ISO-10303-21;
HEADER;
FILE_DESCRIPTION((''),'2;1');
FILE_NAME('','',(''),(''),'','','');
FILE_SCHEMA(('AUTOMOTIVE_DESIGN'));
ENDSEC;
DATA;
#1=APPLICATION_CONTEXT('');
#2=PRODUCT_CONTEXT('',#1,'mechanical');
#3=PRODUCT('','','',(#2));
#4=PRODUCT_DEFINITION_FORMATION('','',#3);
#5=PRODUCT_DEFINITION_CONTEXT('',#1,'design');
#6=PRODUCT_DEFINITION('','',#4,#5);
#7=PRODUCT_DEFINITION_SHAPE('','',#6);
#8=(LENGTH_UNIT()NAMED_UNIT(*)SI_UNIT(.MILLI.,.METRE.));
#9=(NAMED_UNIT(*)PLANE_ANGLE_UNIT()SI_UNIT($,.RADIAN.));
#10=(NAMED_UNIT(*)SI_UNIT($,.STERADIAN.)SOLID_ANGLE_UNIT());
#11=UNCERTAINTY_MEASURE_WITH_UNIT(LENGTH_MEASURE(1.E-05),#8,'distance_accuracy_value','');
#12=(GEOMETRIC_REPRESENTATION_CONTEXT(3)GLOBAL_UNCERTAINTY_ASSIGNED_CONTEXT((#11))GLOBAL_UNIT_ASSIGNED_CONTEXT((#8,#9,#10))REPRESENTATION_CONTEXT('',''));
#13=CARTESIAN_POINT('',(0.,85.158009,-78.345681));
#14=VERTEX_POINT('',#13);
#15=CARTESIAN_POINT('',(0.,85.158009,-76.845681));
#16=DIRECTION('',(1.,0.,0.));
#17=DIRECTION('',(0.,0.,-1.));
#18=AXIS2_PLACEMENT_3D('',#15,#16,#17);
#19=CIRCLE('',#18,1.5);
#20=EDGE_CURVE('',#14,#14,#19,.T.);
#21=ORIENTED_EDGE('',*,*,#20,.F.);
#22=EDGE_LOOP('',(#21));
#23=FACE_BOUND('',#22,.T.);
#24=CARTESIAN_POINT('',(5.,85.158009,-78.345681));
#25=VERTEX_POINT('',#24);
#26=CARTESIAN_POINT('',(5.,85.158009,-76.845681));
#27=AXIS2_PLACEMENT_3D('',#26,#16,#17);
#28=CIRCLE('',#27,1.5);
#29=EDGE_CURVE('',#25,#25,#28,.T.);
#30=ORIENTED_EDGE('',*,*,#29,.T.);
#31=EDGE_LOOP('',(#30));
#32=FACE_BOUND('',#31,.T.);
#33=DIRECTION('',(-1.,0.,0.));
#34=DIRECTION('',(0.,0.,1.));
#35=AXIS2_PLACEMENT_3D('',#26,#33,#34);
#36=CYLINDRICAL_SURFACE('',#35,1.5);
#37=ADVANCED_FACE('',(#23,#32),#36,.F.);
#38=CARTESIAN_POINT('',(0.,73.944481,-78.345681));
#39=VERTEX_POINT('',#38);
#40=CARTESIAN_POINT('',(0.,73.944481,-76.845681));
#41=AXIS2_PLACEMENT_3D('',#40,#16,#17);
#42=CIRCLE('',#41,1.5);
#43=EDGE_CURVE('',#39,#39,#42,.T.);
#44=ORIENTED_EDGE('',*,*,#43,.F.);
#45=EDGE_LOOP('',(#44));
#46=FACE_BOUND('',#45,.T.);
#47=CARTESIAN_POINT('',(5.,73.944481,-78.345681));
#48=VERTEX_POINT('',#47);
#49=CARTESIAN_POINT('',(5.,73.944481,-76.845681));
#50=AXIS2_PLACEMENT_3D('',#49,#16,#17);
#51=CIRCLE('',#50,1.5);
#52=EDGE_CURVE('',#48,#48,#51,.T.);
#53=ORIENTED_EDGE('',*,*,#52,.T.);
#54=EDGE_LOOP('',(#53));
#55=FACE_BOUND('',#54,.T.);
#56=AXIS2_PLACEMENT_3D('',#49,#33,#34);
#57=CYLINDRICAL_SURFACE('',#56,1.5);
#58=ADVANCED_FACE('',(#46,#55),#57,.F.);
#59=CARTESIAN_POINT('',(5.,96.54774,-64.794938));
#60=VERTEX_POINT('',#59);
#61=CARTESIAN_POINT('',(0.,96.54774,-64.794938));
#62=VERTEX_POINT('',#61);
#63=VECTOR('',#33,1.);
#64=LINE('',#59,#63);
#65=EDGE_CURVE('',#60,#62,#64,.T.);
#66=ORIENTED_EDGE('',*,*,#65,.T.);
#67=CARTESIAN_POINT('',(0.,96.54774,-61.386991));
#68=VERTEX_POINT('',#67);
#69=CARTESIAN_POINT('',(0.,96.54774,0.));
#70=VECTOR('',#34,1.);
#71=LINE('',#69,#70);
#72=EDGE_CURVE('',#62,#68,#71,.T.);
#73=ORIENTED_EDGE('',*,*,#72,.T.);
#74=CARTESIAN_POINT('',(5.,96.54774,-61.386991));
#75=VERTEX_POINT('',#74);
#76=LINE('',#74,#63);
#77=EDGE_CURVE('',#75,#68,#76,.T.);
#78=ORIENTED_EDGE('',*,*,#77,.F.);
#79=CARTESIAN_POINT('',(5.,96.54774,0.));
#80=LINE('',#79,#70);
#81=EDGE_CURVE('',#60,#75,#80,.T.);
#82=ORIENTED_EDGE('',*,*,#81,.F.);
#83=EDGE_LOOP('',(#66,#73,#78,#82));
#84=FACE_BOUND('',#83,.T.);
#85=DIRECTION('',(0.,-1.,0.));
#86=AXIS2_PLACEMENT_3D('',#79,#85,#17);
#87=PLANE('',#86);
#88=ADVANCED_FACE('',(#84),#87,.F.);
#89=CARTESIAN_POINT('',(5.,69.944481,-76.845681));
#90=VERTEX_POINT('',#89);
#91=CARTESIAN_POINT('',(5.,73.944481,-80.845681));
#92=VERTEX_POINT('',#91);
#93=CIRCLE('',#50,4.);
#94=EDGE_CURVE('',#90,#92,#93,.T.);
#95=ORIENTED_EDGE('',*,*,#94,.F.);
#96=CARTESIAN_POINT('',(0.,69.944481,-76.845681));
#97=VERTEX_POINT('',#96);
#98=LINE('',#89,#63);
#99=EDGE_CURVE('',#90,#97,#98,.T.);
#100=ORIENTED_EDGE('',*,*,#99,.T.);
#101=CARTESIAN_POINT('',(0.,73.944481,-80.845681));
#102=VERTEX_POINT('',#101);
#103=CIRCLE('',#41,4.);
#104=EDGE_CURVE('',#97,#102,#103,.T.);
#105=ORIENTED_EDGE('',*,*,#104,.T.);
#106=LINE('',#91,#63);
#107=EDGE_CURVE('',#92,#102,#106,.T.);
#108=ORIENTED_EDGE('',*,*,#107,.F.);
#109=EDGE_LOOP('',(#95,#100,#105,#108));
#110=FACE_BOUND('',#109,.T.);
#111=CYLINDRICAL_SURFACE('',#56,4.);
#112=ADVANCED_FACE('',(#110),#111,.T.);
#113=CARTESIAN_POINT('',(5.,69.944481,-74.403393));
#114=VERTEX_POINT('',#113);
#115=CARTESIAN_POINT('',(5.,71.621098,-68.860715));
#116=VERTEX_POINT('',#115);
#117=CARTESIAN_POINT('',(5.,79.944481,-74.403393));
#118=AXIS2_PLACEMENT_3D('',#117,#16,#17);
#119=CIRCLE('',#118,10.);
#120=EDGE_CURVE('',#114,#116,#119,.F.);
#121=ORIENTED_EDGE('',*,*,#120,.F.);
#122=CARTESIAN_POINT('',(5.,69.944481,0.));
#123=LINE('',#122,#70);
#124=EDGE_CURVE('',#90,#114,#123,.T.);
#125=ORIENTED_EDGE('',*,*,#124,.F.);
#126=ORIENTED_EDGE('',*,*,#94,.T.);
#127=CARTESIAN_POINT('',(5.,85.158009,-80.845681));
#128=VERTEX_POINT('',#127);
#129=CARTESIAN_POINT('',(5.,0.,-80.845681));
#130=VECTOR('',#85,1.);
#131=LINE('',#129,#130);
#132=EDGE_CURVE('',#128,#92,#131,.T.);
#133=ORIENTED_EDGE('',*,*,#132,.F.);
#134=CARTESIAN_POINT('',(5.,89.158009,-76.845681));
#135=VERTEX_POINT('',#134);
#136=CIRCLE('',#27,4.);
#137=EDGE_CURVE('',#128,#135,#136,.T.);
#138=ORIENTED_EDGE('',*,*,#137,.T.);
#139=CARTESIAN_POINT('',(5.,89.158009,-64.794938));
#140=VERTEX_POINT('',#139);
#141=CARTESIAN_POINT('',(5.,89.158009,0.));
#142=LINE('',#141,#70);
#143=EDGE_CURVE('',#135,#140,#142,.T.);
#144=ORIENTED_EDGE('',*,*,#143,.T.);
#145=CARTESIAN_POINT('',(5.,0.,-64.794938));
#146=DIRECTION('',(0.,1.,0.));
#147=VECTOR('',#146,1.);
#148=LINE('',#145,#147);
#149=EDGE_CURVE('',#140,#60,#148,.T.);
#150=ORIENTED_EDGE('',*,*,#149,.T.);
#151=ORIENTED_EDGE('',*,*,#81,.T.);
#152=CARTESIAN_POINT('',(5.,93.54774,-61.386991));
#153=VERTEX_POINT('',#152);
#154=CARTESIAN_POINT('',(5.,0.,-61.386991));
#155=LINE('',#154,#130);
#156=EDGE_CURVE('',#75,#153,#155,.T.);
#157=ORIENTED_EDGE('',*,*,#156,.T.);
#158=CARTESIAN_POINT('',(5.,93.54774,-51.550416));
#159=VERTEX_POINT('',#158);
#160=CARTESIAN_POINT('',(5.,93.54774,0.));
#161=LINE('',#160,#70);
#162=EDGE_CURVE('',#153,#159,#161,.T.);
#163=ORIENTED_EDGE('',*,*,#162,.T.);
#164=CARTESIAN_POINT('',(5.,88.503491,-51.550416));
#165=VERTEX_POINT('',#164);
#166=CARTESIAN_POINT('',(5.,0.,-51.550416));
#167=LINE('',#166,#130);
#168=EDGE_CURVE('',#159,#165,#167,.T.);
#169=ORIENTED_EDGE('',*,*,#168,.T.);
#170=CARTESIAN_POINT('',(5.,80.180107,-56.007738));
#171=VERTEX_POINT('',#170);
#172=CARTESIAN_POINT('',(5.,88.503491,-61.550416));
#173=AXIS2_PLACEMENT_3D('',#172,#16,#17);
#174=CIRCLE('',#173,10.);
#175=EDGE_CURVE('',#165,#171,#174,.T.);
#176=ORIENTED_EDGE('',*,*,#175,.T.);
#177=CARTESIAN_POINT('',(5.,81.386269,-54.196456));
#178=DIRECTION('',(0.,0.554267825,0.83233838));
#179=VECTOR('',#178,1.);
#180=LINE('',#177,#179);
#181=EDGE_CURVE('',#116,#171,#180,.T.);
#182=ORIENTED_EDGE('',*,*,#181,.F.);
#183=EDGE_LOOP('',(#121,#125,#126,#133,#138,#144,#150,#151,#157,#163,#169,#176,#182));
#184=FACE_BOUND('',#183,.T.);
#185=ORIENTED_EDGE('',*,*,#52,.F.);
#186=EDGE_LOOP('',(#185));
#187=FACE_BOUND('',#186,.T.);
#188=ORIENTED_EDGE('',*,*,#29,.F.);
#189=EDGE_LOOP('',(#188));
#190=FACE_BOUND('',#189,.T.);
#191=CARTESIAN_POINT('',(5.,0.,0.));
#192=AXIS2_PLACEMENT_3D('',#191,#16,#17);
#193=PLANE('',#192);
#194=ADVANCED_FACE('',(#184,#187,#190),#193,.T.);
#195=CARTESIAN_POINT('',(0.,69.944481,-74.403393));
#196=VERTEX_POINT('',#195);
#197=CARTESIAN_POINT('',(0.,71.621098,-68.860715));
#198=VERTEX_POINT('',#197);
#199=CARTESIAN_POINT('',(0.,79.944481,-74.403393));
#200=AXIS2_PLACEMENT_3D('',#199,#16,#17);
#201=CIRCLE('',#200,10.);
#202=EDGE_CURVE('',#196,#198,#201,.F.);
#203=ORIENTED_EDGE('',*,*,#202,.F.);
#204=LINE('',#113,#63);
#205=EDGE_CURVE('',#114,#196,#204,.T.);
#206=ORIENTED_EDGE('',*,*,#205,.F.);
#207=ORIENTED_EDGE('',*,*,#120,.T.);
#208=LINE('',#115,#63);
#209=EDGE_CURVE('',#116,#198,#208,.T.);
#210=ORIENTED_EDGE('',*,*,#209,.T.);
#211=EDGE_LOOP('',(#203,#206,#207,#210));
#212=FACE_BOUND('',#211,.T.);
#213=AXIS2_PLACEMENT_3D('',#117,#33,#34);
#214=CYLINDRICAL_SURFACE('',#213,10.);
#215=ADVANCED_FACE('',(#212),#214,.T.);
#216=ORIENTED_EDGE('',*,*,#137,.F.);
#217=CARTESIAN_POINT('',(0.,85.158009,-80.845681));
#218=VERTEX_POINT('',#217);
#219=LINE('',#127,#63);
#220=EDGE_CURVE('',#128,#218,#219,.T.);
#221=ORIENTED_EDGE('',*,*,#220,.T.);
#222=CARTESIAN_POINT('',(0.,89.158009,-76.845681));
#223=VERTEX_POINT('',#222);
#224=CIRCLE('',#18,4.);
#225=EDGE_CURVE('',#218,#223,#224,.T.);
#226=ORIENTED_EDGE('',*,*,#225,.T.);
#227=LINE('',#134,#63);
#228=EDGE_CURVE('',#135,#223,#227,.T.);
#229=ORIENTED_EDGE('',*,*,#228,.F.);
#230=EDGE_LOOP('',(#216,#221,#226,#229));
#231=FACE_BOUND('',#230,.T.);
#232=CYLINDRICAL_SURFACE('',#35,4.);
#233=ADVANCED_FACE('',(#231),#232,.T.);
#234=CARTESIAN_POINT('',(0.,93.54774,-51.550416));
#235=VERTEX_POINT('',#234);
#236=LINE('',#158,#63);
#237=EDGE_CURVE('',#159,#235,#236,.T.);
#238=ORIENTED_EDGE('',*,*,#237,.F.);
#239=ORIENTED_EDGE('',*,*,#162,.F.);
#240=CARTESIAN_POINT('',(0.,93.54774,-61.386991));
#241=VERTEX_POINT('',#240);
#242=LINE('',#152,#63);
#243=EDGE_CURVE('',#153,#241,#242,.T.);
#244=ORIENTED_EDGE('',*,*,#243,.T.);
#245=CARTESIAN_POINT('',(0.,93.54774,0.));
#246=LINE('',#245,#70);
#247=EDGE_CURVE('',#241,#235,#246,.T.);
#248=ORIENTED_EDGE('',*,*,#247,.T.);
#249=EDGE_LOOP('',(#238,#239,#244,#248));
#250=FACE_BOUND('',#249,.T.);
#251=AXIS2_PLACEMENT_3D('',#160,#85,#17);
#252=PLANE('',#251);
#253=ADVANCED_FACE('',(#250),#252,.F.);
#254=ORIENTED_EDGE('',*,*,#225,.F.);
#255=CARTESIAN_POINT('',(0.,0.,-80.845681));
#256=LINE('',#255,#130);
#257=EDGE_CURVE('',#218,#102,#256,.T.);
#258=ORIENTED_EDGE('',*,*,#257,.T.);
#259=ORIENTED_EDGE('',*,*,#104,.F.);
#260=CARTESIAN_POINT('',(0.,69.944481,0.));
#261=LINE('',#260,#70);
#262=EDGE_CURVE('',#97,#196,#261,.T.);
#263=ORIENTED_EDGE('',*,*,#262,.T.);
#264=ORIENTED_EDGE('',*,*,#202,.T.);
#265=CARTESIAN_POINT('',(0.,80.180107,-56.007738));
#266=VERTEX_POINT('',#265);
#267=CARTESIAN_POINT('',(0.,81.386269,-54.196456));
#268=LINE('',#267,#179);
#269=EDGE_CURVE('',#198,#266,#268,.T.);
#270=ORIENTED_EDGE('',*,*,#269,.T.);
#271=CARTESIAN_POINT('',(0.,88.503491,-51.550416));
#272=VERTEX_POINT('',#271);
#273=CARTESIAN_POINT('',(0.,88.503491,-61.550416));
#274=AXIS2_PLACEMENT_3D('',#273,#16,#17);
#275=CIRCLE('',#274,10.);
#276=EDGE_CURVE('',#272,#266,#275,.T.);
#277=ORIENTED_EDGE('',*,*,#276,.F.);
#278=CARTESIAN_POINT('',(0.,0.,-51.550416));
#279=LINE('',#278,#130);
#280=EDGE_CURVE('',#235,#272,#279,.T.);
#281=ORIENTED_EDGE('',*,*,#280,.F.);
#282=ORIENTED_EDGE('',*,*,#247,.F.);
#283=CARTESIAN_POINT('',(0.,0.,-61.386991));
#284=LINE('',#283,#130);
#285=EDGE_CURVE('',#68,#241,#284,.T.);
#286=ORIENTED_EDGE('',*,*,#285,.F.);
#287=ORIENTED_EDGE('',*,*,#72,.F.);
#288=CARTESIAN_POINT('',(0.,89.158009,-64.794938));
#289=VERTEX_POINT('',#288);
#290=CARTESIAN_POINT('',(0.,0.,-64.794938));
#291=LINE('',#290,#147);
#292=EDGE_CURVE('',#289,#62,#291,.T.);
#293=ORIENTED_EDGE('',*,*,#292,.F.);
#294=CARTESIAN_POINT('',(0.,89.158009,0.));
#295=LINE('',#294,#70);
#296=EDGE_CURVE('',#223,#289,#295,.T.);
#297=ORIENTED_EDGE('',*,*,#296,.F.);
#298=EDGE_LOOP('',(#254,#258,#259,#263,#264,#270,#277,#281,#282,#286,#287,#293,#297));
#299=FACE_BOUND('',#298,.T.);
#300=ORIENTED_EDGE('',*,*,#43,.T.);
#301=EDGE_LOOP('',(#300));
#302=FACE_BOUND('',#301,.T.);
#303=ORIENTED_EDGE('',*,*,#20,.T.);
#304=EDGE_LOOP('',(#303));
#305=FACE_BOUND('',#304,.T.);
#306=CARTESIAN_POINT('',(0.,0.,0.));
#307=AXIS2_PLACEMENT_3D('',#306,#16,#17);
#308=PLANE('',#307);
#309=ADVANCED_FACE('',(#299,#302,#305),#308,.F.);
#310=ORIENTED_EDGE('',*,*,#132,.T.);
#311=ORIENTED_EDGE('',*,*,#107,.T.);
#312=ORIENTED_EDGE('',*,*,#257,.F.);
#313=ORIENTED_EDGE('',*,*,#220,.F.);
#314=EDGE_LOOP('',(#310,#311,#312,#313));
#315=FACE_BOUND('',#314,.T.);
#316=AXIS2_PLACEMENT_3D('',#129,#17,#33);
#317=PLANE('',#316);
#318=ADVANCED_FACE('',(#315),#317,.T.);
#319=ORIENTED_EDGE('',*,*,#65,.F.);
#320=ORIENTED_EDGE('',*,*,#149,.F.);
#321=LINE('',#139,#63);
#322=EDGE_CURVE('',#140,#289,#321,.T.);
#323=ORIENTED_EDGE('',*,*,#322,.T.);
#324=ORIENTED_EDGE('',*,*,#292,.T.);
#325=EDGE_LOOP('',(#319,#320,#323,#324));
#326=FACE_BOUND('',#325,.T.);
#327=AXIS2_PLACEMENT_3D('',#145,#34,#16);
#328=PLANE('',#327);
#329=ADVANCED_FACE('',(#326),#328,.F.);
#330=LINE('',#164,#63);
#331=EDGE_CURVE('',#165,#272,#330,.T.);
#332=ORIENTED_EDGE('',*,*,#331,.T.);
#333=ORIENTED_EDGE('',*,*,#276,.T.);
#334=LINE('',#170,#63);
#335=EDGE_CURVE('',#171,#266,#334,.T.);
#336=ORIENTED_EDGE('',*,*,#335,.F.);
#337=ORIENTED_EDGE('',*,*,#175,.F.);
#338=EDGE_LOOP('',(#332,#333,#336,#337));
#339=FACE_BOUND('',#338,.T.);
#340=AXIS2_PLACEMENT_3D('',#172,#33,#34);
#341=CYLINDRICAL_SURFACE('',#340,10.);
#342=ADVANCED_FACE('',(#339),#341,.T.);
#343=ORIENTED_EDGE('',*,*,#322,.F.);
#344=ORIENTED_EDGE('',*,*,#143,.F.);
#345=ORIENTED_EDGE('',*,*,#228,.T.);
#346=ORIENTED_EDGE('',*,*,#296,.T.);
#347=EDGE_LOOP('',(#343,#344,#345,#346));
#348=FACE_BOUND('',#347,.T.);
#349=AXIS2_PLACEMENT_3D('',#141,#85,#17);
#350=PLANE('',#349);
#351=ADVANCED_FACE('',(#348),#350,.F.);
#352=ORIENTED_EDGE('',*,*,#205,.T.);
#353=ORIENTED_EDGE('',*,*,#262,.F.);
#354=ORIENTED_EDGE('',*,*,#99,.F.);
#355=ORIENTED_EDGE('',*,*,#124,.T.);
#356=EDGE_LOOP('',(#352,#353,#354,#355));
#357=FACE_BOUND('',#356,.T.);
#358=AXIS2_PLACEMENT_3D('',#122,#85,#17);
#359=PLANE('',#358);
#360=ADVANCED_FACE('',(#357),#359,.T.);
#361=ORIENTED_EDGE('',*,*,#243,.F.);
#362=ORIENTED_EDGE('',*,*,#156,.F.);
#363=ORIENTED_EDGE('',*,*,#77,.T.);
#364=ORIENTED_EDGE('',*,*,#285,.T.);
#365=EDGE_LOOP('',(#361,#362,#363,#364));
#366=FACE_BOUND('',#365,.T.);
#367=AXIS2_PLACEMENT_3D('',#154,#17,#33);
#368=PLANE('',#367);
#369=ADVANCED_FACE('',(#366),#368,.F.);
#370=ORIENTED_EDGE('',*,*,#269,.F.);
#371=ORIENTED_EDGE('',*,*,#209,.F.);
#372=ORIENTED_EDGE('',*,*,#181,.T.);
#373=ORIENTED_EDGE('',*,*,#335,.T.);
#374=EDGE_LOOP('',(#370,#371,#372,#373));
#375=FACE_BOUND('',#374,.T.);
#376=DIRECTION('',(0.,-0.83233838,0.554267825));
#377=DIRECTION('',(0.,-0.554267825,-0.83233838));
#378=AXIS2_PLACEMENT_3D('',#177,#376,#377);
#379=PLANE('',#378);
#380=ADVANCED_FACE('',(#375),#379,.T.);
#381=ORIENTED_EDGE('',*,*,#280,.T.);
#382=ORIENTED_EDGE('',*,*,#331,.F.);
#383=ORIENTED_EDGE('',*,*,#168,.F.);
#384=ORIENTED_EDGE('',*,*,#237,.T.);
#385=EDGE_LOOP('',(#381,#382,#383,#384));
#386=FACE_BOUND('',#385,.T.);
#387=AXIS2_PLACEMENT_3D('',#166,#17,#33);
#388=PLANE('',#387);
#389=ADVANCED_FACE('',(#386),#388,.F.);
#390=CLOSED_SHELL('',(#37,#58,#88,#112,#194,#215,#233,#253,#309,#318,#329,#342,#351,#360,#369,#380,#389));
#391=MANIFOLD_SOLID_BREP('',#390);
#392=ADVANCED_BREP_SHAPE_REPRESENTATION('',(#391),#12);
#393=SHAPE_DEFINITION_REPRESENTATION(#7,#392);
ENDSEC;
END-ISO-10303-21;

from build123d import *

# Parameters (mm, degrees)
SKETCH1_R           = 4
SKETCH1_R_2         = 1.5
BOSS_EXTRUDE1_DEPTH = 5


with BuildPart() as part:
    # Sketch1 → Boss-Extrude1 (new body)
    with BuildSketch(Plane(origin=(0, 0, 0), x_dir=(0, 0, -1), z_dir=(1, 0, 0))):
        with Locations((76.845680628, 73.944481469)):
            Circle(SKETCH1_R)
        with Locations((76.845680628, 73.944481469)):
            Circle(SKETCH1_R_2, mode=Mode.SUBTRACT)
        with Locations((76.845680628, 85.158009083)):
            Circle(SKETCH1_R)
        with Locations((76.845680628, 85.158009083)):
            Circle(SKETCH1_R_2, mode=Mode.SUBTRACT)
        with BuildLine():
            Line((80.845680628, 73.944481469), (80.845680628, 85.158009083))
            ThreePointArc((80.845680628, 85.158009083), (74.017253503, 82.329581958), (76.845680628, 89.158009083))
            Line((76.845680628, 89.158009083), (64.794938344, 89.158009083))
            Line((64.794938344, 89.158009083), (64.794938344, 96.547739715))
            Line((64.794938344, 96.547739715), (61.386991095, 96.547739715))
            Line((61.386991095, 96.547739715), (61.386991095, 93.547739715))
            Line((61.386991095, 93.547739715), (51.550416078, 93.547739715))
            Line((51.550416078, 93.547739715), (51.550416078, 88.503490644))
            ThreePointArc((51.550416078, 88.503490644), (52.73489617, 83.782621152), (56.007737829, 80.180106847))
            Line((56.007737829, 80.180106847), (68.86071523, 71.621097672))
            ThreePointArc((68.86071523, 71.621097672), (71.508038403, 70.372808732), (74.403393479, 69.944481469))
            Line((74.403393479, 69.944481469), (76.845680628, 69.944481469))
            ThreePointArc((76.845680628, 69.944481469), (74.017253503, 76.772908593), (80.845680628, 73.944481469))
        make_face()
    extrude(amount=BOSS_EXTRUDE1_DEPTH)


solid = part.part
